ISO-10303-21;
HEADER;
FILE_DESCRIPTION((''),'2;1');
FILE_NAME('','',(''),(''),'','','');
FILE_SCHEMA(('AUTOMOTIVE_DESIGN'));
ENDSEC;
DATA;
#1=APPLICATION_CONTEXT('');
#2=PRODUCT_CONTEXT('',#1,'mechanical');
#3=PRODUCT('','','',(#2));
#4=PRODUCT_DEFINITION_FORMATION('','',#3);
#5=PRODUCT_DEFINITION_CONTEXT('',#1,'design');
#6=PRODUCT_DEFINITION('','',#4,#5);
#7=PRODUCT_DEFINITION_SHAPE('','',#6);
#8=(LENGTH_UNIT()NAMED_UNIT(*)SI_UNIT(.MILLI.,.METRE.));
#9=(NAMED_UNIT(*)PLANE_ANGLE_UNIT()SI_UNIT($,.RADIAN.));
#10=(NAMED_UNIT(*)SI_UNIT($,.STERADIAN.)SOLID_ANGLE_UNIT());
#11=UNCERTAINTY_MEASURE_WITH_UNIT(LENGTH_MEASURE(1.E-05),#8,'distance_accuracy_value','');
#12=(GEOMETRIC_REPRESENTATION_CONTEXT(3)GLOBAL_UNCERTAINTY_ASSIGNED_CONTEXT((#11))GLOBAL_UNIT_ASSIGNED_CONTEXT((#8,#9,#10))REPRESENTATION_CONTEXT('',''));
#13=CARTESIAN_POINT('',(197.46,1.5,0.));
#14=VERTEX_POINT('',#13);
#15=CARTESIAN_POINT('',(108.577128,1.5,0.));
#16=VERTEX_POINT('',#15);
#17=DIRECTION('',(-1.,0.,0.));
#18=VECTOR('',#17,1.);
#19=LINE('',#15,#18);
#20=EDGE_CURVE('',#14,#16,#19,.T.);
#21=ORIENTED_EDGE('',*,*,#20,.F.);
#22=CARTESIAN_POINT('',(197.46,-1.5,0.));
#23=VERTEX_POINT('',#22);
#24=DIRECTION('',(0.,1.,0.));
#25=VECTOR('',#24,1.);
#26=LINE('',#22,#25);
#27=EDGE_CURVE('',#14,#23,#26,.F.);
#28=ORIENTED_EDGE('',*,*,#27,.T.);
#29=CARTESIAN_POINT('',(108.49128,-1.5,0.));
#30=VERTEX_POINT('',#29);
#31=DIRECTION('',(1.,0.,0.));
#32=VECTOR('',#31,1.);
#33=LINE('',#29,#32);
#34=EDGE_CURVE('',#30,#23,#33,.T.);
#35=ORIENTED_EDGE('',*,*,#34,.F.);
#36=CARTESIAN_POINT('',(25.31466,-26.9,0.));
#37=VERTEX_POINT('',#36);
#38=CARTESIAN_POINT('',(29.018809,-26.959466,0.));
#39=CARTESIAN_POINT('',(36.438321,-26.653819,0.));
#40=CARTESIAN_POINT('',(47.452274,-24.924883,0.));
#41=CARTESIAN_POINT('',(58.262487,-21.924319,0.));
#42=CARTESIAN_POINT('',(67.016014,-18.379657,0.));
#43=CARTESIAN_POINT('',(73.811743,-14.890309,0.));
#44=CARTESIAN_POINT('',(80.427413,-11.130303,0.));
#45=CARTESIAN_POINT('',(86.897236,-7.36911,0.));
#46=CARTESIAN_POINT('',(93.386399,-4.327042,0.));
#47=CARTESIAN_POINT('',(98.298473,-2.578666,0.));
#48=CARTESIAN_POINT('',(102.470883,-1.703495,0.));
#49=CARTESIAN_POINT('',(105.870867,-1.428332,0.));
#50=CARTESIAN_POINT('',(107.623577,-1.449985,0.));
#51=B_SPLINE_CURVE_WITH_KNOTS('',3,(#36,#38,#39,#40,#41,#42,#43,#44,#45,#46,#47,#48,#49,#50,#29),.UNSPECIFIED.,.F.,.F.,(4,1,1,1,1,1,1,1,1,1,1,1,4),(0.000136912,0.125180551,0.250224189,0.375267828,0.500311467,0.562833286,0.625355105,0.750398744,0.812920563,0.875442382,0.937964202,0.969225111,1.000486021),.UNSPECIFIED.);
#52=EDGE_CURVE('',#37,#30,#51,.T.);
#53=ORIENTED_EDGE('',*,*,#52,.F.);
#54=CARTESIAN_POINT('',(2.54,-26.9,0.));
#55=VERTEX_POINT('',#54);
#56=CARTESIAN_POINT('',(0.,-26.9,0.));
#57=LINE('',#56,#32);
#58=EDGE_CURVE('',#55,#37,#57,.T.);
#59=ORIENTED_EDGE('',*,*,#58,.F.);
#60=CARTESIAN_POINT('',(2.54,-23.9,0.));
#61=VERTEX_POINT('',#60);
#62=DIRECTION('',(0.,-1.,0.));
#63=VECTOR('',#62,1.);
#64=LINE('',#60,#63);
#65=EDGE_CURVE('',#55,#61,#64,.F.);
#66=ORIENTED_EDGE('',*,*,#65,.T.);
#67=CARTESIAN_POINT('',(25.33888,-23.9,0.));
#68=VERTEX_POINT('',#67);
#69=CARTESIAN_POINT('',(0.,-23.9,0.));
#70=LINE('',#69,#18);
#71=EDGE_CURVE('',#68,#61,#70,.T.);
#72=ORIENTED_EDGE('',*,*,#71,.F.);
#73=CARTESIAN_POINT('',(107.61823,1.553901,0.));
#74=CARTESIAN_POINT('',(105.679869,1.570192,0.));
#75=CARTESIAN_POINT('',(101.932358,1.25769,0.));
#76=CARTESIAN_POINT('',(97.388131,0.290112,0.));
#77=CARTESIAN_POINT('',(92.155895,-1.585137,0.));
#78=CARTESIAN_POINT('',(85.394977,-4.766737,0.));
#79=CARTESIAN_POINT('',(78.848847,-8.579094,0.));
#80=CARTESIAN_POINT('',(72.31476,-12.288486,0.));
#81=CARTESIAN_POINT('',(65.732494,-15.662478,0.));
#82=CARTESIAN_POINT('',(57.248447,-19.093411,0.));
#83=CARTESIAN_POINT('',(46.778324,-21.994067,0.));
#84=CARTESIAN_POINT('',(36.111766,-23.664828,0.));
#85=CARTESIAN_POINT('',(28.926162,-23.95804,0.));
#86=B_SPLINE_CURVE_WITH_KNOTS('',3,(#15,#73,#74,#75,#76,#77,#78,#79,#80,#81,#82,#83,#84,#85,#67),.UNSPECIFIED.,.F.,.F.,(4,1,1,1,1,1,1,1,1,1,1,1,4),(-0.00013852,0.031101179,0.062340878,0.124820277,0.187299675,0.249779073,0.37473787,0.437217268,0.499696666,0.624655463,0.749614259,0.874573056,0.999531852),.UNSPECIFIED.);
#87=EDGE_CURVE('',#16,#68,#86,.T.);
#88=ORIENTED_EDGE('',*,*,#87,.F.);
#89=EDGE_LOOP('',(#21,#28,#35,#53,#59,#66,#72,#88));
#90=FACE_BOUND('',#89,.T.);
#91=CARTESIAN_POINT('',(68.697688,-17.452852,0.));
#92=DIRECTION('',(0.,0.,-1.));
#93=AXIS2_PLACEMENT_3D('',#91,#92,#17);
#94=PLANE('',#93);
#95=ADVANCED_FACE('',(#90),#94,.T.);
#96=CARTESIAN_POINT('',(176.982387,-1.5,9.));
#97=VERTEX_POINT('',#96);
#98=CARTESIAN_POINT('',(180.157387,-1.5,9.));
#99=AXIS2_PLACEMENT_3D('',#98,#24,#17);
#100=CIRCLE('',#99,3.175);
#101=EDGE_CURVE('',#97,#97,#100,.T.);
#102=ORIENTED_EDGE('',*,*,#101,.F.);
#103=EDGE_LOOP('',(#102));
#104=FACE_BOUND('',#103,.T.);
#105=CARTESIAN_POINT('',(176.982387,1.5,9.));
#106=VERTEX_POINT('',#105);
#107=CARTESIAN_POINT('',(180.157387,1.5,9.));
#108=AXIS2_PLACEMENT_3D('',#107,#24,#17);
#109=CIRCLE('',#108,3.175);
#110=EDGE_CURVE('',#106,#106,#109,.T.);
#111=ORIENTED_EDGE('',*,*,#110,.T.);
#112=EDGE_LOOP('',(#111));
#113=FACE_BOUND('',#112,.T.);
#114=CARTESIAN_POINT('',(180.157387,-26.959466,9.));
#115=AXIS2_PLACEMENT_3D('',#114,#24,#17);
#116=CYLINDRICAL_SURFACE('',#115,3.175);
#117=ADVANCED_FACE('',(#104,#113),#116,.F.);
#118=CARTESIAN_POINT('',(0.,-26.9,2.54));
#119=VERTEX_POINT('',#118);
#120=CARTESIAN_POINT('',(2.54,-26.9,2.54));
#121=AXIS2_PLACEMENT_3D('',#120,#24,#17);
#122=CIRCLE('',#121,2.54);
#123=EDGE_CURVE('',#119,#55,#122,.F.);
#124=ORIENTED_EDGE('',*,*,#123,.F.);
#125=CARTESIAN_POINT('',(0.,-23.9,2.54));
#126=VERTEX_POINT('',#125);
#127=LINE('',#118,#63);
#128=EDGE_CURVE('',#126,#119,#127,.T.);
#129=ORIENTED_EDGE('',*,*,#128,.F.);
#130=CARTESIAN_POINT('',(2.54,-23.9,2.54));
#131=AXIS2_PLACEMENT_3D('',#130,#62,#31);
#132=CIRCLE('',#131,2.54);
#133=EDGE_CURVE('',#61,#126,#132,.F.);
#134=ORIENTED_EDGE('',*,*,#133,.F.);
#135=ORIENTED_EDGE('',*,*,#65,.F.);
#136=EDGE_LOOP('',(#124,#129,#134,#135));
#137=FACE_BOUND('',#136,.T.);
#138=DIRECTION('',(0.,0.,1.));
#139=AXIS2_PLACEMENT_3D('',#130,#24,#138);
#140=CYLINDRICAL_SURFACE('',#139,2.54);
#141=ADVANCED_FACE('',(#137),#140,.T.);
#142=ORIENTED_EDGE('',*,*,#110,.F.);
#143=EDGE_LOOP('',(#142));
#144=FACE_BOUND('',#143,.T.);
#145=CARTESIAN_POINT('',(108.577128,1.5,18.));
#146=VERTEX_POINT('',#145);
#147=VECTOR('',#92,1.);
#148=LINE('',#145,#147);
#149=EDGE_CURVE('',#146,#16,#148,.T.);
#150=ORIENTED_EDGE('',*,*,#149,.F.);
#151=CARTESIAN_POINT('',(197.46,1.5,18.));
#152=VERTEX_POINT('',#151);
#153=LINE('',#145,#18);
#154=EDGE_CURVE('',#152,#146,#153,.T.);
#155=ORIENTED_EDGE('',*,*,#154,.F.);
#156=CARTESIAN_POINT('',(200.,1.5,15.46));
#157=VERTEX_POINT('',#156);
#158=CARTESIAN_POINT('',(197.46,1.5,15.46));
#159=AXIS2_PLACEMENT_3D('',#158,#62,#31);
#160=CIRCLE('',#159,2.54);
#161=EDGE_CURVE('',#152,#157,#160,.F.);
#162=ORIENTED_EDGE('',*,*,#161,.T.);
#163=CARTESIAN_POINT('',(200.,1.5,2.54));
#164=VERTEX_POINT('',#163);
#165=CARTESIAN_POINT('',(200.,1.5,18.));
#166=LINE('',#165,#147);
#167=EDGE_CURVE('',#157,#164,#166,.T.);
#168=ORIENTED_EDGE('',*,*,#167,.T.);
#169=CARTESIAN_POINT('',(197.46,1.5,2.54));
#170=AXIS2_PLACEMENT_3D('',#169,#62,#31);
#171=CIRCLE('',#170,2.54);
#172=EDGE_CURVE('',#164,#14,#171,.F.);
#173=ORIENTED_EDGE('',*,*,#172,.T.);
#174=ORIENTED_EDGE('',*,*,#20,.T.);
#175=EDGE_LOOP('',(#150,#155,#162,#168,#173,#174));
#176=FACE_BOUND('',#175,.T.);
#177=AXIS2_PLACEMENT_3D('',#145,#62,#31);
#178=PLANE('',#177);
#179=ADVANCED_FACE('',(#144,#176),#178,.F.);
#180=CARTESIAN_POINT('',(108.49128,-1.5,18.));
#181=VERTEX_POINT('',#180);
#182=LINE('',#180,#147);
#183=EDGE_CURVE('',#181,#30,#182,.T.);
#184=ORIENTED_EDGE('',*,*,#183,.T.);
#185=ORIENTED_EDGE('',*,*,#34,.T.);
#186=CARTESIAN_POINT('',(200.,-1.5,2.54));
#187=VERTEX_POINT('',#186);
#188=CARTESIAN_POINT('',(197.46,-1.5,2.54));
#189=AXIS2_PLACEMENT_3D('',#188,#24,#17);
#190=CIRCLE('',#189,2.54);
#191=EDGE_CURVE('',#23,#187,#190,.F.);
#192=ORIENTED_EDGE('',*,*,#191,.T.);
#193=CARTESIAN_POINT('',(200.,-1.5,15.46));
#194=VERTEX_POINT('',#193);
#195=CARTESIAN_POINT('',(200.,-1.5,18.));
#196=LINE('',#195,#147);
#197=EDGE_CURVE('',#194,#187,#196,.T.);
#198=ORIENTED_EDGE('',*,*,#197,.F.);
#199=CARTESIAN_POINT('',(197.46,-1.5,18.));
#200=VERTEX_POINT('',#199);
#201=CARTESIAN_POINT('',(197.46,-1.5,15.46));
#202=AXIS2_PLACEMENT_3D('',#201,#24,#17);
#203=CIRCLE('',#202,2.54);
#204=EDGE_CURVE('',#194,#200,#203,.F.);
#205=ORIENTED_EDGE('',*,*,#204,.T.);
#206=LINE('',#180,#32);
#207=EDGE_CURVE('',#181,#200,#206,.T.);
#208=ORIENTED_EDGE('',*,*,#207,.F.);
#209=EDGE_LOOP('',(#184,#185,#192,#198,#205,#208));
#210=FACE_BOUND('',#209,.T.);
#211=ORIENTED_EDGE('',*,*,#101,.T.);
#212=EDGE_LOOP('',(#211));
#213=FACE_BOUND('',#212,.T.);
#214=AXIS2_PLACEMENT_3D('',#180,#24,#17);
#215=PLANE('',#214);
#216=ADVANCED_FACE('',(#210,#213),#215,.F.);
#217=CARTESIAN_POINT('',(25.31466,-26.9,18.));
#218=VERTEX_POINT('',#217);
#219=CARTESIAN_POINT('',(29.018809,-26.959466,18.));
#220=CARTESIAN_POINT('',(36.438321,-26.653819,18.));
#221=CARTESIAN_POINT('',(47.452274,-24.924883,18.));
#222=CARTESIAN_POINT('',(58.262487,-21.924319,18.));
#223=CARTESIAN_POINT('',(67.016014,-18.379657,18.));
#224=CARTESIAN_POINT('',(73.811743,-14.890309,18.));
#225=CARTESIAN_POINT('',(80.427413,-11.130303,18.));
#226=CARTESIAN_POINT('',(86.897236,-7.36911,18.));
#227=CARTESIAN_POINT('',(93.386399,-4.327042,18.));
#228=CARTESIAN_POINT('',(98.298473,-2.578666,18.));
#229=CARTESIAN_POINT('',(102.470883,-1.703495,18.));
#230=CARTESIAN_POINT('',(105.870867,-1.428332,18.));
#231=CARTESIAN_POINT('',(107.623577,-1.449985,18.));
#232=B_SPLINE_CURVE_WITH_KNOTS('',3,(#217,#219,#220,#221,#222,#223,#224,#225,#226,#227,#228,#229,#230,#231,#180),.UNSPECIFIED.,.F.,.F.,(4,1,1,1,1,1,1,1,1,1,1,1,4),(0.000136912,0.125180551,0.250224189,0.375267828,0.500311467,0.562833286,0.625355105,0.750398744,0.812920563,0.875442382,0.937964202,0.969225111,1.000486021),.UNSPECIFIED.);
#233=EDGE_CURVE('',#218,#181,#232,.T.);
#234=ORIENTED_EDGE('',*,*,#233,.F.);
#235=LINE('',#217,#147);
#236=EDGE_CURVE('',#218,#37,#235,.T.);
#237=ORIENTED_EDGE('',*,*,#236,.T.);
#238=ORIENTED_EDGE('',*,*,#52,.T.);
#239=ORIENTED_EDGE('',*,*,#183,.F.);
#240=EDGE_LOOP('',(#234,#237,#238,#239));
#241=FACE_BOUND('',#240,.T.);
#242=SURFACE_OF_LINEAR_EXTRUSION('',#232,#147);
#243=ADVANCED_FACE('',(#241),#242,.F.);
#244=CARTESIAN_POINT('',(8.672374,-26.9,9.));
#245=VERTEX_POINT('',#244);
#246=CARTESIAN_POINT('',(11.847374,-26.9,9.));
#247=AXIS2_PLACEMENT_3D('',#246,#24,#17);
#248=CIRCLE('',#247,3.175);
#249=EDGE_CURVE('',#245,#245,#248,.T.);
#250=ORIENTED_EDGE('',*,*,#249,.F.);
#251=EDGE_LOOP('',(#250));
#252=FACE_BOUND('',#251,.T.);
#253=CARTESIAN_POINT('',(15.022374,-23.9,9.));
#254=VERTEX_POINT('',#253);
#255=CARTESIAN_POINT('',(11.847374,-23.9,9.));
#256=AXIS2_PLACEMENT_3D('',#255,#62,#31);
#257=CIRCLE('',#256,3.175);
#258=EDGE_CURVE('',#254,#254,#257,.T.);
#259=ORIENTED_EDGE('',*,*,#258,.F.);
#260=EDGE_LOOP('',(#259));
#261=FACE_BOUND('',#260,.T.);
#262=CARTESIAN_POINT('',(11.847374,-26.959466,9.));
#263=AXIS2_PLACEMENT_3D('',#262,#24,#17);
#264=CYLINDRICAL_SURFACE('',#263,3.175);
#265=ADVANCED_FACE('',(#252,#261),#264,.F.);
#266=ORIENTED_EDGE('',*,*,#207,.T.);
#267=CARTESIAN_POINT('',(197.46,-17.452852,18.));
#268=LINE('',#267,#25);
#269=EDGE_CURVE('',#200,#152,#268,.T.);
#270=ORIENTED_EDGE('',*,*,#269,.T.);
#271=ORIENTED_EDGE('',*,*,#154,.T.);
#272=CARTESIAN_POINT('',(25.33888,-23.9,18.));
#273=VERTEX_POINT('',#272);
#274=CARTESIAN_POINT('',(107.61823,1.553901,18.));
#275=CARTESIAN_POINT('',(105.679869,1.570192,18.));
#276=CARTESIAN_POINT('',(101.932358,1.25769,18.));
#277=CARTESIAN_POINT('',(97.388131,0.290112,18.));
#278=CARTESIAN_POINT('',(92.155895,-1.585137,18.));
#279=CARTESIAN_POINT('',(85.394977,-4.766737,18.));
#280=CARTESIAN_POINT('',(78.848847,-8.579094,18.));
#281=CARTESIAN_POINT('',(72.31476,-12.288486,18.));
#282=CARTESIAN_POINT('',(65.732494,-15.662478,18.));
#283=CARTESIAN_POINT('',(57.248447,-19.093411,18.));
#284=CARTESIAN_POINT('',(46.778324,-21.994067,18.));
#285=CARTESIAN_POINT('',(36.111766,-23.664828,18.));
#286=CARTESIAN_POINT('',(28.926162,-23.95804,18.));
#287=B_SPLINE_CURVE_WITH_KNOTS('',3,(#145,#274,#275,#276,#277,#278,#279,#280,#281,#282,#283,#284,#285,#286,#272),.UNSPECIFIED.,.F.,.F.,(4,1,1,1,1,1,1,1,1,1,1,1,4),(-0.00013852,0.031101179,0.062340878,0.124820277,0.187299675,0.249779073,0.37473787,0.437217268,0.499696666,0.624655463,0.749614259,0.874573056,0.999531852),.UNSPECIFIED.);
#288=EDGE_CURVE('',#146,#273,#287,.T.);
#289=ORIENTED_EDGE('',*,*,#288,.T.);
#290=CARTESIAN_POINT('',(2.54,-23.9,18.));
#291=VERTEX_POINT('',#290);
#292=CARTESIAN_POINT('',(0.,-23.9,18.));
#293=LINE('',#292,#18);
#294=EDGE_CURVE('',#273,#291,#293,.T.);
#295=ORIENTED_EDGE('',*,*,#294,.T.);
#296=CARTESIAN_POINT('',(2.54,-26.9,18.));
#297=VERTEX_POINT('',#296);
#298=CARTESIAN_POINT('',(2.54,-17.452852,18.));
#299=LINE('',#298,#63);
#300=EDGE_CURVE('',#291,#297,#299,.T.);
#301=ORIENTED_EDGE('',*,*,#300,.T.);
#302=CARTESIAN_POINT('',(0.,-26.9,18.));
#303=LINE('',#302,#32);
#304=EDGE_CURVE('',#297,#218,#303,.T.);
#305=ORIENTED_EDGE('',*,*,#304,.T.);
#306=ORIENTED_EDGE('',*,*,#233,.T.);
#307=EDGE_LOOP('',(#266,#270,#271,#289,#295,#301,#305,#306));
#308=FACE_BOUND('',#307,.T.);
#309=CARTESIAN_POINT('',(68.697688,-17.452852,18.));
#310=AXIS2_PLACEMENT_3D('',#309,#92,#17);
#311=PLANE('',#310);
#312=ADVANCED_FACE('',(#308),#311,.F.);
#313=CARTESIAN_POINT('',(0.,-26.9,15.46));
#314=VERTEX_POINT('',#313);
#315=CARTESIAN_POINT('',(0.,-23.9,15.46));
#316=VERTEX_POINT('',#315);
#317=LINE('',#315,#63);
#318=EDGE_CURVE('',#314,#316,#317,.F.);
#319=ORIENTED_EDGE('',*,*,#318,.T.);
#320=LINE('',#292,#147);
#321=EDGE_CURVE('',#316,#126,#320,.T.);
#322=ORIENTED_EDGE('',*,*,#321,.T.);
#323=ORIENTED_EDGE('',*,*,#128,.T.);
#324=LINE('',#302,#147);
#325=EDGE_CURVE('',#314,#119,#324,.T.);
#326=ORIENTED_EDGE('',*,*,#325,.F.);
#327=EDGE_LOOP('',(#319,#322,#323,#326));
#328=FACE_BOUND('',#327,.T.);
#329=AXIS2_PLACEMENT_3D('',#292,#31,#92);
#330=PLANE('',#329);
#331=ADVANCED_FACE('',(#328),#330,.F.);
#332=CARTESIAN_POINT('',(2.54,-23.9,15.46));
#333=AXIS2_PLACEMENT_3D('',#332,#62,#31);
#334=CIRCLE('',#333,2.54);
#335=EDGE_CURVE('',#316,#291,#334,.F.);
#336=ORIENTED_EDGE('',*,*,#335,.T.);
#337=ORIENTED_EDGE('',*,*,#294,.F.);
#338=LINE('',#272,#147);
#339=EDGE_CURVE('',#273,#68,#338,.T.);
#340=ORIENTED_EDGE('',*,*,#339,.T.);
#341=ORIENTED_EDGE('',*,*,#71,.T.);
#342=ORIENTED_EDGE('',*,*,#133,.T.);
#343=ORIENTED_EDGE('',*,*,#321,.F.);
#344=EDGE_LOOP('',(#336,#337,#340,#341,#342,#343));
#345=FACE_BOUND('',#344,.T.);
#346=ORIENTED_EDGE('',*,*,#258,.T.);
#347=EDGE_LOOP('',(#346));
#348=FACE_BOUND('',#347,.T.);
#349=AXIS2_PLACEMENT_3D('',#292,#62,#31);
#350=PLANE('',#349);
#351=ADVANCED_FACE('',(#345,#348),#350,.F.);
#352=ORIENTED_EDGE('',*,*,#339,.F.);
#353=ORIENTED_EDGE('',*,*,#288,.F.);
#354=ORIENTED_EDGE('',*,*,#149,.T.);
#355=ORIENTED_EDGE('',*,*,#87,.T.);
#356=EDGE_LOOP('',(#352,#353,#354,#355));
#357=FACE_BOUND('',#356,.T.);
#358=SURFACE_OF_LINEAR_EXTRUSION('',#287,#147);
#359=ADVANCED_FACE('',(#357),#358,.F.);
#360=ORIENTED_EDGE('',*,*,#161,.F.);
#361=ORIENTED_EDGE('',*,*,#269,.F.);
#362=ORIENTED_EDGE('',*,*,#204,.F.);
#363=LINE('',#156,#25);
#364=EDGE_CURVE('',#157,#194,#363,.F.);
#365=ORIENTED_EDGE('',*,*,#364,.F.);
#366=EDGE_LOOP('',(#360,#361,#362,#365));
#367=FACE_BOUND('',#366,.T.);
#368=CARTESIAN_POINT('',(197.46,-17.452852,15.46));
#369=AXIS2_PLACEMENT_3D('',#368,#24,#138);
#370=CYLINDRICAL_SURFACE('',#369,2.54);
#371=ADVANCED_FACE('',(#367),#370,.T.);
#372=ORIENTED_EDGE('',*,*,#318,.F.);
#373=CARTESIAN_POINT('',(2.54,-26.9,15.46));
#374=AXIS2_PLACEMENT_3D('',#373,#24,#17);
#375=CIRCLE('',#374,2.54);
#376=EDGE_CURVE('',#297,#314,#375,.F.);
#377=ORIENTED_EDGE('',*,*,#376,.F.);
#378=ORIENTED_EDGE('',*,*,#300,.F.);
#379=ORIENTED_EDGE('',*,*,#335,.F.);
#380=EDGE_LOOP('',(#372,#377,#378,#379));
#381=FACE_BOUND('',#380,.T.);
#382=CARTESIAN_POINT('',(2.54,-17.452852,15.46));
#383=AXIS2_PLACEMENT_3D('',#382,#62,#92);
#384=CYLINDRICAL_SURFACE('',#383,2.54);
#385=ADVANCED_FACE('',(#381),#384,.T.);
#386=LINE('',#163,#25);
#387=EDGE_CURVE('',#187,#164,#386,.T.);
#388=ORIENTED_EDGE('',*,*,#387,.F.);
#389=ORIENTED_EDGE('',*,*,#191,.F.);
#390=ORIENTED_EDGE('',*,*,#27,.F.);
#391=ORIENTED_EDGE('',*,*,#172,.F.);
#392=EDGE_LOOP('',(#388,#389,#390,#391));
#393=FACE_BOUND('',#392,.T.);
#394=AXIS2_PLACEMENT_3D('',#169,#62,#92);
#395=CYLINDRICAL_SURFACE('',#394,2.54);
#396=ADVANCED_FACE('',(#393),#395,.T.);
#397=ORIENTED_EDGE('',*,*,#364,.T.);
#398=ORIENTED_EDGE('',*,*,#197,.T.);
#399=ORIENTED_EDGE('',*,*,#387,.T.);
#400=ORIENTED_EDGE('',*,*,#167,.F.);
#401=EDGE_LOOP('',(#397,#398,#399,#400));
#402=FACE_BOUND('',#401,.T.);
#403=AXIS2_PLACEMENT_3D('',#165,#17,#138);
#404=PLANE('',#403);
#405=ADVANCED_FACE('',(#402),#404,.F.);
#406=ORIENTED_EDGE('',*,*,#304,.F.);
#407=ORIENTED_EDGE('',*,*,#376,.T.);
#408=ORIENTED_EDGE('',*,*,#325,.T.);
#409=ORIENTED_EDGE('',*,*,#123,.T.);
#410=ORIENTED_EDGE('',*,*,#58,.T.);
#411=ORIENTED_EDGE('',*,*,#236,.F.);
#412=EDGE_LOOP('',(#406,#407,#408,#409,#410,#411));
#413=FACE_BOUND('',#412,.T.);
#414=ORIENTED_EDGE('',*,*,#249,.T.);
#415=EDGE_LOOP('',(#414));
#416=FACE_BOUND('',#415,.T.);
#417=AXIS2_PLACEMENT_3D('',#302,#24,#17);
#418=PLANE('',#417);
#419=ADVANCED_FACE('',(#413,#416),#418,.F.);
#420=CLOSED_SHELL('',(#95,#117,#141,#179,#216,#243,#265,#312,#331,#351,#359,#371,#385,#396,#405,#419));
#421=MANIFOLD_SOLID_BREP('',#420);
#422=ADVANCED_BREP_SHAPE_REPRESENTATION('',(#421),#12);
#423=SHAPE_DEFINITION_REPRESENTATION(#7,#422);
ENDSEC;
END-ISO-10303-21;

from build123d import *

# Parameters (mm, degrees)
BOSS_EXTRUDE1_DEPTH     = 18
SKETCH2_R               = 3.175
CUT_EXTRUDE1_DEPTH      = 1.048172096
CUT_EXTRUDE1_DEPTH_BACK = 29.412494693
FILLET1_R               = 2.54


with BuildPart() as part:
    # Sketch1 → Boss-Extrude1 (new body)
    with BuildSketch(Plane.XY):
        with BuildLine():
            Line((0, -26.9), (25.314659544, -26.9))
            add(Edge.make_bspline(
                [(25.314659544, -26.9), (29.018808902, -26.95946599), (36.438320652, -26.653818936), (47.452273732, -24.92488313), (58.262486614, -21.924318782), (67.016013602, -18.37965694), (73.811742851, -14.890308818), (80.427413207, -11.130302547), (86.897235914, -7.369109823), (93.386399422, -4.327041649), (98.298472606, -2.578666278), (102.47088341, -1.703494583), (105.870866673, -1.428331861), (107.623577227, -1.449984583), (108.491279544, -1.5)],
                knots=[0.000136912, 0.000136912, 0.000136912, 0.000136912, 0.125180551, 0.250224189, 0.375267828, 0.500311467, 0.562833286, 0.625355105, 0.750398744, 0.812920563, 0.875442382, 0.937964202, 0.969225111, 1.000486021, 1.000486021, 1.000486021, 1.000486021], degree=3))
            Line((108.491279544, -1.5), (200, -1.5))
            Line((200, -1.5), (200, 1.5))
            Line((200, 1.5), (108.577128094, 1.5))
            add(Edge.make_bspline(
                [(25.338879667, -23.9), (28.926162088, -23.958039606), (36.111765907, -23.664827946), (46.778323763, -21.99406658), (57.248447209, -19.093410872), (65.732493814, -15.662477543), (72.314760278, -12.28848554), (78.848846724, -8.579093587), (85.394977085, -4.766737379), (92.155894885, -1.585137398), (97.388130608, 0.290112445), (101.932358434, 1.257689935), (105.679869219, 1.570192395), (107.61823033, 1.553901023), (108.577128094, 1.5)],
                knots=[-0.00013852, -0.00013852, -0.00013852, -0.00013852, 0.124820277, 0.249779073, 0.37473787, 0.499696666, 0.562176065, 0.624655463, 0.749614259, 0.812093658, 0.874573056, 0.937052454, 0.968292153, 0.999531852, 0.999531852, 0.999531852, 0.999531852], degree=3))
            Line((25.338879667, -23.9), (0, -23.9))
            Line((0, -23.9), (0, -26.9))
        make_face()
    extrude(amount=BOSS_EXTRUDE1_DEPTH)

    # Sketch2 → Cut-Extrude1 (cut, two sides)
    with BuildSketch(Plane(origin=(0, 1.5, 0), x_dir=(1, 0, 0), z_dir=(0, 1, 0))) as cut_extrude1_sk:
        with Locations((11.847374462, -9)):
            Circle(SKETCH2_R)
        with Locations((180.157387408, -9)):
            Circle(SKETCH2_R)
    extrude(amount=CUT_EXTRUDE1_DEPTH, mode=Mode.SUBTRACT)
    extrude(cut_extrude1_sk.sketch, amount=-CUT_EXTRUDE1_DEPTH_BACK, mode=Mode.SUBTRACT)

    # Fillet1
    fillet1_edges = [part.edges().sort_by_distance(p)[0] for p in [
        (0, -25.4, 0),
        (200, 0, 18),
        (0, -25.4, 18),
        (200, 0, 0),
    ]]
    fillet(fillet1_edges, radius=FILLET1_R)


solid = part.part
